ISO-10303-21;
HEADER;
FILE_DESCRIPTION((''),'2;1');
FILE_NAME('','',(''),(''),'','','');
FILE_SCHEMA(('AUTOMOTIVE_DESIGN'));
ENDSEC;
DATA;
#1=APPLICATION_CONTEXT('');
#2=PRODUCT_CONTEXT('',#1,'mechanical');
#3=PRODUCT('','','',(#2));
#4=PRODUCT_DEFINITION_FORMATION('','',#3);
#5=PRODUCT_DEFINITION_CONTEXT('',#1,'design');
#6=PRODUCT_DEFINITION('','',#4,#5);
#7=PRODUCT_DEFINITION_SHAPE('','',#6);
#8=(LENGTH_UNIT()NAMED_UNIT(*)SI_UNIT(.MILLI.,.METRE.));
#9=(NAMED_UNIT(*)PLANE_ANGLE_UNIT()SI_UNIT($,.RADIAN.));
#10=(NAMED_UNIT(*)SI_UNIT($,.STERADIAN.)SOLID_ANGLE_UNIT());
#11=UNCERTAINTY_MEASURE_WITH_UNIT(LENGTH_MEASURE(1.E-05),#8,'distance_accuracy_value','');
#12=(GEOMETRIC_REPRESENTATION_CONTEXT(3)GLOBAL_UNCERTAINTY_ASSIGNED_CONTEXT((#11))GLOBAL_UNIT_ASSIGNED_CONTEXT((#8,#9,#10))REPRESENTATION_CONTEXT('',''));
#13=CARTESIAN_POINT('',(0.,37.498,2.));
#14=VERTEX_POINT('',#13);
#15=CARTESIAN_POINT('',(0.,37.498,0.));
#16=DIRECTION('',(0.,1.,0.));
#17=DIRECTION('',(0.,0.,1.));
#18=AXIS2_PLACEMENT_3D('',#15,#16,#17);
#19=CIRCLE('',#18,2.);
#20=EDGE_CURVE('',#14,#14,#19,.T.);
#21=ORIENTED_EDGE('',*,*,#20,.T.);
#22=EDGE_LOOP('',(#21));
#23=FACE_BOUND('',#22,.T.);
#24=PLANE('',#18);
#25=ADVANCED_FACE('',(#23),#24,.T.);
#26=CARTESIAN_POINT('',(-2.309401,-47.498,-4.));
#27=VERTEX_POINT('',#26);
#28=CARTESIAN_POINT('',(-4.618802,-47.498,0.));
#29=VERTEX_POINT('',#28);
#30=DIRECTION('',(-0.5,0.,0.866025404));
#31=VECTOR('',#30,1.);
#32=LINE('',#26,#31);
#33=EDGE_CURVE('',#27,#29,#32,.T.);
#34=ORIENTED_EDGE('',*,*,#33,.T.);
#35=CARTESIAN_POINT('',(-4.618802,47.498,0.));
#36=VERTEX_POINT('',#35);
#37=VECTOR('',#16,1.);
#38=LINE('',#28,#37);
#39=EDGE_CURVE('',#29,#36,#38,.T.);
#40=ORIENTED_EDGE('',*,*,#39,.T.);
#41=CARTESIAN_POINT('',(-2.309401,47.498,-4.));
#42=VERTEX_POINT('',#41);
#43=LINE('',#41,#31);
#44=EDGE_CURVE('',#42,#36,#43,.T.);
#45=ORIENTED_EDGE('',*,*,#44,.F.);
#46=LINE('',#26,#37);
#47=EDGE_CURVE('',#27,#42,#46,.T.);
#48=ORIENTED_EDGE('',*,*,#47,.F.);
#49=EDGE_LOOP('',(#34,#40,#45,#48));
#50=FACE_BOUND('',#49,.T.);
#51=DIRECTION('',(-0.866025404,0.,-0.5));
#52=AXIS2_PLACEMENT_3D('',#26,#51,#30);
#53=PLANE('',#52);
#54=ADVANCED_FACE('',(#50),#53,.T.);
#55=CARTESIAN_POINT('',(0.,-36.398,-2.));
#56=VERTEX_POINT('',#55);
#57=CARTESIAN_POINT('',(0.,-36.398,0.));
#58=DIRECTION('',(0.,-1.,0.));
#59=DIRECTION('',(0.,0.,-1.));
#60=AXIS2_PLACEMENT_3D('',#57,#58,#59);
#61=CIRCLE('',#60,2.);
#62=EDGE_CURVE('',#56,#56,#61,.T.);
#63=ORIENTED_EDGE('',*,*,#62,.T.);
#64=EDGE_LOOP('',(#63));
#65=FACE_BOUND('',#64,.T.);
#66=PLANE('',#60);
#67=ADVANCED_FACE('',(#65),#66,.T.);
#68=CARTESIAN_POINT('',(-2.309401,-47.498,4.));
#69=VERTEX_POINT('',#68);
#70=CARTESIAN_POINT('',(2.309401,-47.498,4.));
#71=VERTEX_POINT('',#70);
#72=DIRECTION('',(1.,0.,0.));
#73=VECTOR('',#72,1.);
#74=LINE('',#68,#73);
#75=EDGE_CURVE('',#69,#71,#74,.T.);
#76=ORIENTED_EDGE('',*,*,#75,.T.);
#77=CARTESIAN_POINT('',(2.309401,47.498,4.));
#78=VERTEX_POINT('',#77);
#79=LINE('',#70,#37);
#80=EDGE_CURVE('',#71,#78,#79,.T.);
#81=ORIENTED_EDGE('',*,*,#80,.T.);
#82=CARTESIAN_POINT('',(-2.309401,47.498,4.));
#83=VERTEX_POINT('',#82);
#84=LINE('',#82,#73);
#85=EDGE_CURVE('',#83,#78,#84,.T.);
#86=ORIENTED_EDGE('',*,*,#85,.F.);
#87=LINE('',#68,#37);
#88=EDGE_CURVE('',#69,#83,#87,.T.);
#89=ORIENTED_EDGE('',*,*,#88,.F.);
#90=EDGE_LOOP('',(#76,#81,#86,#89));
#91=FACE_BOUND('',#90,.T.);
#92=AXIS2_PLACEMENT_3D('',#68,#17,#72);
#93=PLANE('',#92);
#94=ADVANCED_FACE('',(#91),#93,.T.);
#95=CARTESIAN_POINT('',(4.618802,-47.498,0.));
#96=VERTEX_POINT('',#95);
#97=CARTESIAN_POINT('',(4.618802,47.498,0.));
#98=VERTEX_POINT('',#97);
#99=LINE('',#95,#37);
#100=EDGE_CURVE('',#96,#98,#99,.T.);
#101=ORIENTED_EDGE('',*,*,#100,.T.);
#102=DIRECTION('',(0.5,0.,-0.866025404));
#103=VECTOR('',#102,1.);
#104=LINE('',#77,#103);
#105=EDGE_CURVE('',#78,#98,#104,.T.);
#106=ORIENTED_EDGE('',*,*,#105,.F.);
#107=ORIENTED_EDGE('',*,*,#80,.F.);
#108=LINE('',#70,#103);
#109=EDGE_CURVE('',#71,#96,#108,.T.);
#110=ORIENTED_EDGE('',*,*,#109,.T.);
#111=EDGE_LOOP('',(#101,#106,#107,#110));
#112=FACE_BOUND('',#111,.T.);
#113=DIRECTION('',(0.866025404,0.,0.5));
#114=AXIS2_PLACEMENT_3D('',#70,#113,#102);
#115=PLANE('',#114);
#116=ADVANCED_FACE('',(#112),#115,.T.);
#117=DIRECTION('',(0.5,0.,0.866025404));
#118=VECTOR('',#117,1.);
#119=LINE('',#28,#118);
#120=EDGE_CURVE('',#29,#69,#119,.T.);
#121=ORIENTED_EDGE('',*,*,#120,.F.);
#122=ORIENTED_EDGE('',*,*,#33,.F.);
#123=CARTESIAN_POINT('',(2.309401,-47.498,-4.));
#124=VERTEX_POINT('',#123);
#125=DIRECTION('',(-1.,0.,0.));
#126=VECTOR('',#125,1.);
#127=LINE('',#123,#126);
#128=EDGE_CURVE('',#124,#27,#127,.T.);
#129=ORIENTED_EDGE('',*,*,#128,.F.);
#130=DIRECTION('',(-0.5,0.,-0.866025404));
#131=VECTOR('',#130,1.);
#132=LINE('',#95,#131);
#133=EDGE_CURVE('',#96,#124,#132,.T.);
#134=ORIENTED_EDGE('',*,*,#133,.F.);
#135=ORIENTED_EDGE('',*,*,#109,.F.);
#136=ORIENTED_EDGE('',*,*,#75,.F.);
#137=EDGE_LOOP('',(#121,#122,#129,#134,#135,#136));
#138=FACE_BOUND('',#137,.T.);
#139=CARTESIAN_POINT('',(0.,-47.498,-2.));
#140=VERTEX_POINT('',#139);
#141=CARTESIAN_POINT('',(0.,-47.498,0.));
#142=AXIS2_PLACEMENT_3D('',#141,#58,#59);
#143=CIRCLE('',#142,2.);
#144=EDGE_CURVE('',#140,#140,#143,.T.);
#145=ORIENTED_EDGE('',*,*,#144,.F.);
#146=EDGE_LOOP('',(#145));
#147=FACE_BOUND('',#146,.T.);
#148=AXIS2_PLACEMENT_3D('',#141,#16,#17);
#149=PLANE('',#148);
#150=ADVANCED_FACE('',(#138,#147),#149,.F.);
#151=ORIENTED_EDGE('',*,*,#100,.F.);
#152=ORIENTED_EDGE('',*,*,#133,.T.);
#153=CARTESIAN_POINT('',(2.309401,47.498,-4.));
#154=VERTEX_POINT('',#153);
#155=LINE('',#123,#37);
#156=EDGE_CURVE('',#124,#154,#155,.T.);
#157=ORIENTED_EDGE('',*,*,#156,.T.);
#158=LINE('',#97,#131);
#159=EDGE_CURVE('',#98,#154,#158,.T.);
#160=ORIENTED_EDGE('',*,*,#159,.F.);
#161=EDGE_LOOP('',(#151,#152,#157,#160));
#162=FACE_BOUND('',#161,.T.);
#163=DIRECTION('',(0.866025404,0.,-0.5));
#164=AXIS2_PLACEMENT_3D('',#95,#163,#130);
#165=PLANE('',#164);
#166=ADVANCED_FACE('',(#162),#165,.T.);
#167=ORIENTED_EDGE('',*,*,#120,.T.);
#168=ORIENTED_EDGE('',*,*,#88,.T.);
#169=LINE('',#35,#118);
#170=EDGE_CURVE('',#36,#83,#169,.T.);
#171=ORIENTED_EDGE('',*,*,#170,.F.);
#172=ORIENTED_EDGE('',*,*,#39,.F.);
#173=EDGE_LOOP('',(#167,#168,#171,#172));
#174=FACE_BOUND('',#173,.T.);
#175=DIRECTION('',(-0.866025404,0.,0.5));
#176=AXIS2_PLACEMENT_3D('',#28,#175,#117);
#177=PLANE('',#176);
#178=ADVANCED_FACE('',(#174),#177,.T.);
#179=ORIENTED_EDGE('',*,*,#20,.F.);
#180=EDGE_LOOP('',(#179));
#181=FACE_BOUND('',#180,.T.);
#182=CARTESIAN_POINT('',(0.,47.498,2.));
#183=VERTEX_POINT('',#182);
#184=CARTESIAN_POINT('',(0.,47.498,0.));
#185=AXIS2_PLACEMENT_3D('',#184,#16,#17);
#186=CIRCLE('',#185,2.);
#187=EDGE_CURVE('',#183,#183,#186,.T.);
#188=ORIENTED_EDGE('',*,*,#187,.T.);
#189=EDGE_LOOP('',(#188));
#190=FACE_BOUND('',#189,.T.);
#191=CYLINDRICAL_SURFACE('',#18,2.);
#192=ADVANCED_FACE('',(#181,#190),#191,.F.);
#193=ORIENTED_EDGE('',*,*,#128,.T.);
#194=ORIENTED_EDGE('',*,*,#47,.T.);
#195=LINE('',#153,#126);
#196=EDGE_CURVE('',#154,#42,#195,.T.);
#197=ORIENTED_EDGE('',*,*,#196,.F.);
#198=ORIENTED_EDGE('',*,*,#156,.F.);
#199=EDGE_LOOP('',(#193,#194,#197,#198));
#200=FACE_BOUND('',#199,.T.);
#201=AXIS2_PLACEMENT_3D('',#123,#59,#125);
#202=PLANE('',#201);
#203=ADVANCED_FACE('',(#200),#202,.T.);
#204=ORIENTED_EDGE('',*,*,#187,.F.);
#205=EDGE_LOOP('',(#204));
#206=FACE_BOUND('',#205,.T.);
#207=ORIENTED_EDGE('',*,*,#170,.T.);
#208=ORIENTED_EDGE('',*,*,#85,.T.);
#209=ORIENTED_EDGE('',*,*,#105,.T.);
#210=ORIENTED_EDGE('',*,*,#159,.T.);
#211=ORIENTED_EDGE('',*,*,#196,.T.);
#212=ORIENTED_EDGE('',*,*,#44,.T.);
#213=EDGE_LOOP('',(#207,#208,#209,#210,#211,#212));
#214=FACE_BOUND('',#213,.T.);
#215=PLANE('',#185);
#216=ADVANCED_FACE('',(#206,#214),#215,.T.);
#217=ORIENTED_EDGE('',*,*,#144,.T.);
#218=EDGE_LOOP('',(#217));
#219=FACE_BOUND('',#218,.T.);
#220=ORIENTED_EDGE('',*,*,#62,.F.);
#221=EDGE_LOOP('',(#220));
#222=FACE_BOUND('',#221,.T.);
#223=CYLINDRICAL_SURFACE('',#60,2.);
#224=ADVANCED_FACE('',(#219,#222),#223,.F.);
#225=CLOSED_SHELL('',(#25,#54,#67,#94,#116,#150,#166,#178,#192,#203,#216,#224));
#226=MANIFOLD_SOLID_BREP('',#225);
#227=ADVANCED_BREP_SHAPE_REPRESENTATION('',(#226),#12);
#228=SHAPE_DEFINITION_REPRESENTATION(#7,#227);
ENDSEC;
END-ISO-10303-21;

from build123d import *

# Parameters (mm, degrees)
BOSS_EXTRUDE1_DEPTH      = 47.498
BOSS_EXTRUDE1_DEPTH_BACK = 47.498
SKETCH3_R                = 2
CUT_EXTRUDE1_DEPTH       = 11.1
CUT_EXTRUDE2_START       = -10
SKETCH2_R                = 2
CUT_EXTRUDE2_DEPTH       = 10


with BuildPart() as part:
    # Sketch1 → Boss-Extrude1 (new, two sides: drawn at the far end of the back side and taken through both)
    with BuildSketch(Plane(origin=(0, 0, 0), x_dir=(1, 0, 0), z_dir=(0, 1, 0)).offset(-BOSS_EXTRUDE1_DEPTH_BACK)):
        Polygon((2.309401077, 4), (-2.309401077, 4), (-4.618802154, 0), (-2.309401077, -4), (2.309401077, -4), (4.618802154, 0), align=None)
    extrude(amount=BOSS_EXTRUDE1_DEPTH + BOSS_EXTRUDE1_DEPTH_BACK)

    # Sketch3 → Cut-Extrude1 (cut)
    with BuildSketch(Plane.XZ.offset(47.498)):
        Circle(SKETCH3_R)
    extrude(amount=-CUT_EXTRUDE1_DEPTH, mode=Mode.SUBTRACT)

    # Sketch2 → Cut-Extrude2 (cut)
    with BuildSketch(Plane(origin=(0, 47.498, 0), x_dir=(1, 0, 0), z_dir=(0, 1, 0)).offset(CUT_EXTRUDE2_START)):
        Circle(SKETCH2_R)
    extrude(amount=CUT_EXTRUDE2_DEPTH, mode=Mode.SUBTRACT)


solid = part.part
